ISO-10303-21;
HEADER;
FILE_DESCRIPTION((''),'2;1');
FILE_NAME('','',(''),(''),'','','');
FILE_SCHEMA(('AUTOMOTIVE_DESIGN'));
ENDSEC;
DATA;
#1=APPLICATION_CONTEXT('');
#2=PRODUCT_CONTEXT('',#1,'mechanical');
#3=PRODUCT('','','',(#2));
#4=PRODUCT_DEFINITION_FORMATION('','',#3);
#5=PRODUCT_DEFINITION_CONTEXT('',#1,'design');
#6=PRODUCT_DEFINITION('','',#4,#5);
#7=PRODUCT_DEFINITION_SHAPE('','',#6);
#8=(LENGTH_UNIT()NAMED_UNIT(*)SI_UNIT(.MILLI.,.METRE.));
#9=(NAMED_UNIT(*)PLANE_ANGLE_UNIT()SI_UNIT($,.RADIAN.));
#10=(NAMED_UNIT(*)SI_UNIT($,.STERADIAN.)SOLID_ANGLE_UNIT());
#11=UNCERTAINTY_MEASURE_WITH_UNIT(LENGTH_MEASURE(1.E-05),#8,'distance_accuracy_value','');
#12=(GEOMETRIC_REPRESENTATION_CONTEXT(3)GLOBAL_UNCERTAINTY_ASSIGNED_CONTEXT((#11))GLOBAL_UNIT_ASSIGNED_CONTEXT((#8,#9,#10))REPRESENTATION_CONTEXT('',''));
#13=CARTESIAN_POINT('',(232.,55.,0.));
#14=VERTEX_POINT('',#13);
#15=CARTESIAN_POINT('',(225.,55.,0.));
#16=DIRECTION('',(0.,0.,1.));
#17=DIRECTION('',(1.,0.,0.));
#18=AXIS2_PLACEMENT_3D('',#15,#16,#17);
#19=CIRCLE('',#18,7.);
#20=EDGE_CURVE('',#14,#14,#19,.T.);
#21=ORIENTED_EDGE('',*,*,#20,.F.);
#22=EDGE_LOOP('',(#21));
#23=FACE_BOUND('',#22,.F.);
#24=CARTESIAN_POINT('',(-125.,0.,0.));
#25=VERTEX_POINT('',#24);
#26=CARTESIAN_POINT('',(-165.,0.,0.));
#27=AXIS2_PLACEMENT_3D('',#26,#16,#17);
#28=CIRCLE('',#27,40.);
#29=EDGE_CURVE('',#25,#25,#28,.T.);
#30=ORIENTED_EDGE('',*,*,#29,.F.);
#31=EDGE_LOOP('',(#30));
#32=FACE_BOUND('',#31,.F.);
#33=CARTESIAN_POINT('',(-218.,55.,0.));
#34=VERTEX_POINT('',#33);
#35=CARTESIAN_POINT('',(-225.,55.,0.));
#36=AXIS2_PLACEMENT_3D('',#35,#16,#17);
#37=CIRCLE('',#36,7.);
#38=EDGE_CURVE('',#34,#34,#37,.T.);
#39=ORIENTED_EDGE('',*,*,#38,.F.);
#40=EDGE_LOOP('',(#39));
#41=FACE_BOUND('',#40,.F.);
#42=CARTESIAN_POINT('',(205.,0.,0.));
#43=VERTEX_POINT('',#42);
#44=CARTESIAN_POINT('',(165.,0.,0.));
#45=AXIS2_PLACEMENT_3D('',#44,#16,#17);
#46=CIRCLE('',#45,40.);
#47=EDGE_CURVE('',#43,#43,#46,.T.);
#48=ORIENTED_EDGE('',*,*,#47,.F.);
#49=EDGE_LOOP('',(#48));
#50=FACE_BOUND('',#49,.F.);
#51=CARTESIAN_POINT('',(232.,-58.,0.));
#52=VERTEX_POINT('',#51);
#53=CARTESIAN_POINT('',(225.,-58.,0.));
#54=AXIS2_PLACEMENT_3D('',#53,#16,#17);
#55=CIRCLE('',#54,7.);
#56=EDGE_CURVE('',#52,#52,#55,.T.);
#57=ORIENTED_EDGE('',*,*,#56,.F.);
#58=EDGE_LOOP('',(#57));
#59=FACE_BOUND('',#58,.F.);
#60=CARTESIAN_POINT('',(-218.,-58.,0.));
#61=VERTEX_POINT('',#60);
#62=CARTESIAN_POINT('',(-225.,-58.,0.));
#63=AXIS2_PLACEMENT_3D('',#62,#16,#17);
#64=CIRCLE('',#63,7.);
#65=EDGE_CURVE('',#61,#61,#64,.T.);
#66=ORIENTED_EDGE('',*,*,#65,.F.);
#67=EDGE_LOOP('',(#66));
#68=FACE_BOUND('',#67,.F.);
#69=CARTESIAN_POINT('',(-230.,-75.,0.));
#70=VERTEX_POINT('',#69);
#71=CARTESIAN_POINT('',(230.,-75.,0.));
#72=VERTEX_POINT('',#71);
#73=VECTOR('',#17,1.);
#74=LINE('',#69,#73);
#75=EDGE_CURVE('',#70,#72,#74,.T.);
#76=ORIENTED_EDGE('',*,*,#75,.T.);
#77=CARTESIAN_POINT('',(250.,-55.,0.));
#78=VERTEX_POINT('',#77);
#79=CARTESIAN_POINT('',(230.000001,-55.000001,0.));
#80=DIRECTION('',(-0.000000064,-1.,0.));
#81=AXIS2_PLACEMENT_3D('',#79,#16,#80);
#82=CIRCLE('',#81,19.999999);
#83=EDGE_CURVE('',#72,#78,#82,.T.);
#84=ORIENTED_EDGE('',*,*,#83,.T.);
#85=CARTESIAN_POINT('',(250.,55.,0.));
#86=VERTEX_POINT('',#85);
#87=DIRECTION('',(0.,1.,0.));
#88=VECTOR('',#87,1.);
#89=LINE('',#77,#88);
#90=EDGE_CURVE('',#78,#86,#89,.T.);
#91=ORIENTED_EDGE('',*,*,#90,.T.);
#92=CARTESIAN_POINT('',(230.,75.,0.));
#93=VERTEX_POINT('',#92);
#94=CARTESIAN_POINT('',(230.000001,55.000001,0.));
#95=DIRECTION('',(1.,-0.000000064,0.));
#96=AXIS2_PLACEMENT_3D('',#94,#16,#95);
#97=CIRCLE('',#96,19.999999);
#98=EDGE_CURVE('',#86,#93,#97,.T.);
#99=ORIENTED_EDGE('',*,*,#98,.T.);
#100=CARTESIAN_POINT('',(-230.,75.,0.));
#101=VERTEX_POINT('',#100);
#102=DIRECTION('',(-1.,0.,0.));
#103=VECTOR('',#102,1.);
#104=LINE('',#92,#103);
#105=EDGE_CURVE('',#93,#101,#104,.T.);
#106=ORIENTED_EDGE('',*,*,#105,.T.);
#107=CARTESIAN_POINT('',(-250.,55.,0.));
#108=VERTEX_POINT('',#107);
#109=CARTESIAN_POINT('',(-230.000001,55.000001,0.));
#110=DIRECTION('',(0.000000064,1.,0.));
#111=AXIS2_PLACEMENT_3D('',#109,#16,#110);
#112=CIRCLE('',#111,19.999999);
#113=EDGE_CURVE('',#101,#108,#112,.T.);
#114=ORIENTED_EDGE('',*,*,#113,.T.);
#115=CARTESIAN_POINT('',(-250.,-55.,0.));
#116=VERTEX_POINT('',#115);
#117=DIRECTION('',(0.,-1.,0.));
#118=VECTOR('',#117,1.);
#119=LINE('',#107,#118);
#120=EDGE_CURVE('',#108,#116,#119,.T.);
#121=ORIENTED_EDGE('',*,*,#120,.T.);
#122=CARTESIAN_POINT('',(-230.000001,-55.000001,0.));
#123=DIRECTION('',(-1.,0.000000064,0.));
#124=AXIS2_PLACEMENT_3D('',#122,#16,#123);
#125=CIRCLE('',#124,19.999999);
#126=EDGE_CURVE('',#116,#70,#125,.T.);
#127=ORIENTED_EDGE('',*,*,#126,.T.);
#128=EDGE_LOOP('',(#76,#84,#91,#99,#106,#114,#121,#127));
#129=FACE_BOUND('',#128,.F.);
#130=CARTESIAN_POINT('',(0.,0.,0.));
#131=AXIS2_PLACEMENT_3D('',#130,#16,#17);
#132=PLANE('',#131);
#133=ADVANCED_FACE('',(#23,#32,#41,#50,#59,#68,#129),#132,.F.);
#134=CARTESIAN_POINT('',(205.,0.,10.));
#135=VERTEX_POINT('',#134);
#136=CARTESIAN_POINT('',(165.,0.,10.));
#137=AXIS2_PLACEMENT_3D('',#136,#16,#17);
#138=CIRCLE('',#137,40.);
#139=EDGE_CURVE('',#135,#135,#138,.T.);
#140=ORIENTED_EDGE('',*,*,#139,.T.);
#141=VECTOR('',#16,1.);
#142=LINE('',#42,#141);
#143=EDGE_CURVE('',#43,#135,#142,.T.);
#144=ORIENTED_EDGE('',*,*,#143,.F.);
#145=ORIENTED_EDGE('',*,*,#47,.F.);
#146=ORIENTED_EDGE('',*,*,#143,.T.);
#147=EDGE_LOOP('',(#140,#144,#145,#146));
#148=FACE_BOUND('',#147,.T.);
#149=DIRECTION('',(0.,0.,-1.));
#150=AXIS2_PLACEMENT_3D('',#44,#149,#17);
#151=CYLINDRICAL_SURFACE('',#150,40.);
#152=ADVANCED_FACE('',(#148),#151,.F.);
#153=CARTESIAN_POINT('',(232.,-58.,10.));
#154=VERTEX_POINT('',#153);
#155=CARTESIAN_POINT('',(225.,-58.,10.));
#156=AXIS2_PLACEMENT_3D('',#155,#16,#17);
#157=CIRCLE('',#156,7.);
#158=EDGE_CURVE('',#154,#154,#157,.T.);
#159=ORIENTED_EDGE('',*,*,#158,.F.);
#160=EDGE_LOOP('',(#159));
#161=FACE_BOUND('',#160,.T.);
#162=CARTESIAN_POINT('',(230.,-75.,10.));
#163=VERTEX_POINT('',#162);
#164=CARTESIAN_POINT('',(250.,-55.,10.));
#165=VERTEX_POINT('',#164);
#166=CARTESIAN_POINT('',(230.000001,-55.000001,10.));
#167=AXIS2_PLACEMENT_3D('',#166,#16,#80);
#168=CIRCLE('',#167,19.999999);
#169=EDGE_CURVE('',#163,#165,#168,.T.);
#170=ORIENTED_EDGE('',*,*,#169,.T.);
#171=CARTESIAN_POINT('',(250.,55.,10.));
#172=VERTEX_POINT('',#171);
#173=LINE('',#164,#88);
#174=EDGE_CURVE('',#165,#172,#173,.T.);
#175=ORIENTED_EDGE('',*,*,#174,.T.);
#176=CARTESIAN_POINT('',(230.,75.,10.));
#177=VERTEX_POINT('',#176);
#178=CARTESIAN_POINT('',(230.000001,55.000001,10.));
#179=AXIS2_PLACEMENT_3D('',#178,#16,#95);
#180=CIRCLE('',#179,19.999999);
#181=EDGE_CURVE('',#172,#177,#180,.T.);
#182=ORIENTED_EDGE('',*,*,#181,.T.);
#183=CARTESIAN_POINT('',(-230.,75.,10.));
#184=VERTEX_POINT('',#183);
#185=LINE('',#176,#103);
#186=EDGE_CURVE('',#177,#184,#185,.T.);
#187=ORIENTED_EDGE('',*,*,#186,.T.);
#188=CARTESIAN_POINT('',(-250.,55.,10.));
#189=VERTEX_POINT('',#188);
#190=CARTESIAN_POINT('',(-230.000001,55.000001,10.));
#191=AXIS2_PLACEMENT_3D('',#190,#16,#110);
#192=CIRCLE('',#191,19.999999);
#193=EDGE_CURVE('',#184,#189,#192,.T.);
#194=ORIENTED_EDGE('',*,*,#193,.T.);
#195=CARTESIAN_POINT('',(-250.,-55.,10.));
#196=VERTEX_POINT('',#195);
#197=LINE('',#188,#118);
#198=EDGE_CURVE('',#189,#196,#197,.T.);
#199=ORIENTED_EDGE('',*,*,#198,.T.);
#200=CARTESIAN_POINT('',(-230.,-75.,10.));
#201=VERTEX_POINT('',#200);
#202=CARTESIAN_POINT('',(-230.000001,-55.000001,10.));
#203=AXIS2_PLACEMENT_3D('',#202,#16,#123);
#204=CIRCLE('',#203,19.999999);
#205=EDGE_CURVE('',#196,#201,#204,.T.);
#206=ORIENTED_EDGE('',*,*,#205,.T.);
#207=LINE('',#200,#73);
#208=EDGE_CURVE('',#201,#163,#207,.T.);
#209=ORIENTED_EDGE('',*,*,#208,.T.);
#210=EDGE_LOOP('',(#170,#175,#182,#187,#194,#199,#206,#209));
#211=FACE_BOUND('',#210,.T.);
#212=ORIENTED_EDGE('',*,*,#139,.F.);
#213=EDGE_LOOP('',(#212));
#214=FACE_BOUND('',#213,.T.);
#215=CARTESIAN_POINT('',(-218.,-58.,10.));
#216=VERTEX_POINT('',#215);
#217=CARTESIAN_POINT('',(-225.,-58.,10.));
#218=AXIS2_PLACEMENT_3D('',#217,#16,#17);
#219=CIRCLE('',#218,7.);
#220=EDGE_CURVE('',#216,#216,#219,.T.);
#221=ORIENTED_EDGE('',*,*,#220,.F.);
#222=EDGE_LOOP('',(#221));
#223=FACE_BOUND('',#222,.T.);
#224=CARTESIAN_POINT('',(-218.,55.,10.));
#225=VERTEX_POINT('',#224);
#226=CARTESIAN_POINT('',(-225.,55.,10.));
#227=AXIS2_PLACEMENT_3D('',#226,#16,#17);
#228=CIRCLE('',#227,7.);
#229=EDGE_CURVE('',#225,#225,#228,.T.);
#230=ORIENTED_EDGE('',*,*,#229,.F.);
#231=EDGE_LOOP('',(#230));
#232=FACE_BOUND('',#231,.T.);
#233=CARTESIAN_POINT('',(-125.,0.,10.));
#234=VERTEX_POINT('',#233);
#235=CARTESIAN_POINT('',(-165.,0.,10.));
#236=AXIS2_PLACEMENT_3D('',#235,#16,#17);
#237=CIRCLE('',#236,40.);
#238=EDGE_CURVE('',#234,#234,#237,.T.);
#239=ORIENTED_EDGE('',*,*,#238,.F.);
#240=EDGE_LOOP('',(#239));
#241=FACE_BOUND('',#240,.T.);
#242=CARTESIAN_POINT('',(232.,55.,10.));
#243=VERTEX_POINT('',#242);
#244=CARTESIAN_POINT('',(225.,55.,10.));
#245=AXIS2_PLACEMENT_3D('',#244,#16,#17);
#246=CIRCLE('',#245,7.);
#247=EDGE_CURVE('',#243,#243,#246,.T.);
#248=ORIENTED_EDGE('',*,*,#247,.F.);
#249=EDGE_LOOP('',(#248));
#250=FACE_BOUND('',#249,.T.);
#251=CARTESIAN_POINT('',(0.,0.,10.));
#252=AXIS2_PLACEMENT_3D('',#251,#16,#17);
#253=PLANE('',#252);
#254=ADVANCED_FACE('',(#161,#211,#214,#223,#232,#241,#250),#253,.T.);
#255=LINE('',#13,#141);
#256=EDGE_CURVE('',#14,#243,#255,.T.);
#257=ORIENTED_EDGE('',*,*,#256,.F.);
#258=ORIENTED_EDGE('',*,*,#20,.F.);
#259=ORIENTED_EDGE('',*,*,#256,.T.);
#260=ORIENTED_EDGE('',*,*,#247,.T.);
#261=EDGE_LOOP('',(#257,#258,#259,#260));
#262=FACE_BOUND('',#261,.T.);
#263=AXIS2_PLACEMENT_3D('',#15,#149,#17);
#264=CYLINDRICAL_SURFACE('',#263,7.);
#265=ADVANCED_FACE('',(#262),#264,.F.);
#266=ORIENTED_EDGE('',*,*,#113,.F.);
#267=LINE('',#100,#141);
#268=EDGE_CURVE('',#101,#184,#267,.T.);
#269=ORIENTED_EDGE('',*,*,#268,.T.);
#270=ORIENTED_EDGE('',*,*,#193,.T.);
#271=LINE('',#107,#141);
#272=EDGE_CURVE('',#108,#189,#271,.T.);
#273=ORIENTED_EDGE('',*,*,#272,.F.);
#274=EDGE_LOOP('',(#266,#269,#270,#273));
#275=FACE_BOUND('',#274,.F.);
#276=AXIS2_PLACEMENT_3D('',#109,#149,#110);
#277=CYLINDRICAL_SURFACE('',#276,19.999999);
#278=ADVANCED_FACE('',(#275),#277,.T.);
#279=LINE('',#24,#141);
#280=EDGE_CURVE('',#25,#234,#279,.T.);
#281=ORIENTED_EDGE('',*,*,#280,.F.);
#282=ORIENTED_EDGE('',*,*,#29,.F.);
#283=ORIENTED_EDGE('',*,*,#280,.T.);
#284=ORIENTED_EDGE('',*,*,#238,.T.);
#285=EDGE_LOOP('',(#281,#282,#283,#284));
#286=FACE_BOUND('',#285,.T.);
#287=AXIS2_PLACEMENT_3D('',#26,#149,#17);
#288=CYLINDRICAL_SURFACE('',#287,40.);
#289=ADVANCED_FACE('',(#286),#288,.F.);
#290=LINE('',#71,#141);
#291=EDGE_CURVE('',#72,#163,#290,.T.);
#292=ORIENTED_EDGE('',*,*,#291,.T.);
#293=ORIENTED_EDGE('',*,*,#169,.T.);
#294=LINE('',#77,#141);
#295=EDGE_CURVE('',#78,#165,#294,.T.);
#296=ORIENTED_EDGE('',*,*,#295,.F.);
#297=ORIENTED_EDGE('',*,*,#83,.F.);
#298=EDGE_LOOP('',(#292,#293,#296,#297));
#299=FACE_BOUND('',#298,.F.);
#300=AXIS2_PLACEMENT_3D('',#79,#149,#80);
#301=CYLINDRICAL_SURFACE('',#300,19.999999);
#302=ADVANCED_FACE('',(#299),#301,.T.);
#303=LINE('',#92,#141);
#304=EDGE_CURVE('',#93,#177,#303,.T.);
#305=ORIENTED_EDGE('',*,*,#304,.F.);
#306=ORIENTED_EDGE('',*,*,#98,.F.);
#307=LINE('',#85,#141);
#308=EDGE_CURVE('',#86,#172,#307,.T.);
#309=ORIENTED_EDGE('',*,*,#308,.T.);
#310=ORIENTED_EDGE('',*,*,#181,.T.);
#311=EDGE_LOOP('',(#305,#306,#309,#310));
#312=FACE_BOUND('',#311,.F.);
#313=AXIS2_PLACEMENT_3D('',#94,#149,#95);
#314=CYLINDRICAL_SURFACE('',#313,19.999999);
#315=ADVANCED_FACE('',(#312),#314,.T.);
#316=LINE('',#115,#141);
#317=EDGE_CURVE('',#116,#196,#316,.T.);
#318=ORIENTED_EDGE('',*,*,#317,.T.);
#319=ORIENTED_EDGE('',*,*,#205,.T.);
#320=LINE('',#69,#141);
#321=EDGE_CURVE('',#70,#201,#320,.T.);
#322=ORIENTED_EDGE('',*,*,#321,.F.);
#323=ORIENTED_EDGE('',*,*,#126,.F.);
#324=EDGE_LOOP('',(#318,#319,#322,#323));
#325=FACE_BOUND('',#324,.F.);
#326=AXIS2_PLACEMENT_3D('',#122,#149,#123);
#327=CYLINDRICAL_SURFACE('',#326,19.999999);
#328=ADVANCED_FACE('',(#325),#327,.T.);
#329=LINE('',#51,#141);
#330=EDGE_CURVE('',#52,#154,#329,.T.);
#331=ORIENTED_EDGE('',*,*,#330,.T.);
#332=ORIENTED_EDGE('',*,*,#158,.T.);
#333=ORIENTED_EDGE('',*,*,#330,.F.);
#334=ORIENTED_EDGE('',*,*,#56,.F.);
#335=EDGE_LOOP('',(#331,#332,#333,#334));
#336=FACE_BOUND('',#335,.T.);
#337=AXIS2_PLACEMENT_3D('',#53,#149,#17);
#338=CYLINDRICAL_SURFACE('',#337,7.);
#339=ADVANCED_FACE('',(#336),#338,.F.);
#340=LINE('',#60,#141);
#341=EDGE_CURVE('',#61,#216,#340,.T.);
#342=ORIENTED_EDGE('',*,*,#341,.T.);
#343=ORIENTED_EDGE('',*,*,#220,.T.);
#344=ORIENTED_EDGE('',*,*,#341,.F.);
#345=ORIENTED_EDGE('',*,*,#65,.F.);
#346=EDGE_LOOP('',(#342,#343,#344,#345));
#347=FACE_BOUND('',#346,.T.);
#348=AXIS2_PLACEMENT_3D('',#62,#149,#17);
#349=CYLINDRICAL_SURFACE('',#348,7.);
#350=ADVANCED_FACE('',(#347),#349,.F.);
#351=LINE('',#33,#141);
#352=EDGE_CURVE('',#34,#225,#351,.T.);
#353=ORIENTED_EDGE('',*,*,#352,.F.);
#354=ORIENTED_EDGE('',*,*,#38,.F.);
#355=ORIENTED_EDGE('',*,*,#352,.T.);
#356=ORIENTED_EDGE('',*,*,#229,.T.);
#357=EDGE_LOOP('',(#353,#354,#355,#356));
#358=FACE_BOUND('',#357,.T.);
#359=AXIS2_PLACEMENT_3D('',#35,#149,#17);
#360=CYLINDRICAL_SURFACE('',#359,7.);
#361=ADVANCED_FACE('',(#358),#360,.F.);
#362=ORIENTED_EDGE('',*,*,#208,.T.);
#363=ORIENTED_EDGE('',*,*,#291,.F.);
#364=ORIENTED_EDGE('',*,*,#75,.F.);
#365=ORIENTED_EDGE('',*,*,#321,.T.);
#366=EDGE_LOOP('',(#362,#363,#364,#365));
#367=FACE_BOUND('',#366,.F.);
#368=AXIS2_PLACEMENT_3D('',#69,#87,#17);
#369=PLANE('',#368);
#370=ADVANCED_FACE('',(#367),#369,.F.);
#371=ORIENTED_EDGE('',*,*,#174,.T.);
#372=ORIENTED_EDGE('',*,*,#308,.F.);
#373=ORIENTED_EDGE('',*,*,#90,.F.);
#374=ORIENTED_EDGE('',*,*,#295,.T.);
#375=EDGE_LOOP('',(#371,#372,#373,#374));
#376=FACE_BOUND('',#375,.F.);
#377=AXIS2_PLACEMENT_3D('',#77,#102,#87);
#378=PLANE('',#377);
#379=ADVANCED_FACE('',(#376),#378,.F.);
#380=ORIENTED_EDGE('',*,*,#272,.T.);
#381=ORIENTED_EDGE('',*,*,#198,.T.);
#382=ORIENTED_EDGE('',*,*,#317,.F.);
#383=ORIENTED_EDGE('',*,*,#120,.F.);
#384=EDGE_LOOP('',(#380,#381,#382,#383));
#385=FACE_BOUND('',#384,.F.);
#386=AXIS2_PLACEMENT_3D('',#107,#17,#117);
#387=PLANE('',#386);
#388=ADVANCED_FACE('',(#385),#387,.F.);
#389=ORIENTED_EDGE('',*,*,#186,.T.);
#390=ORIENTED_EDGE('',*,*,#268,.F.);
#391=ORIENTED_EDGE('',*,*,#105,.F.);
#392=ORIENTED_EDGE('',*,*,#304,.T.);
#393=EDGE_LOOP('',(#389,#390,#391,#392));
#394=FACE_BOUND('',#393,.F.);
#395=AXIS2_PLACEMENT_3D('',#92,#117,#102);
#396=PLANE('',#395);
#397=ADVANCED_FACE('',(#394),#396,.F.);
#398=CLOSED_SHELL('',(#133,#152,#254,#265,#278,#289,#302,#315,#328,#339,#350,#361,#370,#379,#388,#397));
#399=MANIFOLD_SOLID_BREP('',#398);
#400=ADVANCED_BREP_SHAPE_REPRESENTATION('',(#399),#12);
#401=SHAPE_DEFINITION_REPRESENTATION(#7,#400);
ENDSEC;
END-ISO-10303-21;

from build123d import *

# Parameters (mm, degrees)
F0_R     = 7
F0_R_2   = 40
F1_DEPTH = 10


with BuildPart() as f1:
    # F0 (on Top) → F1 (new body)
    with BuildSketch(Plane.XY):
        with BuildLine():
            Line((230, 75), (-230, 75))
            ThreePointArc((-230, 75), (-244.142136, 69.142136), (-250, 55))
            Line((-250, 55), (-250, -55))
            ThreePointArc((-250, -55), (-244.142136, -69.142136), (-230, -75))
            Line((-230, -75), (230, -75))
            ThreePointArc((230, -75), (244.142136, -69.142136), (250, -55))
            Line((250, -55), (250, 55))
            ThreePointArc((250, 55), (244.142136, 69.142136), (230, 75))
        make_face()
        with Locations((-225, -58)):
            Circle(F0_R, mode=Mode.SUBTRACT)
        with Locations((225, -58)):
            Circle(F0_R, mode=Mode.SUBTRACT)
        with Locations((-165, 0)):
            Circle(F0_R_2, mode=Mode.SUBTRACT)
        with Locations((-225, 55)):
            Circle(F0_R, mode=Mode.SUBTRACT)
        with Locations((165, 0)):
            Circle(F0_R_2, mode=Mode.SUBTRACT)
        with Locations((225, 55)):
            Circle(F0_R, mode=Mode.SUBTRACT)
    extrude(amount=F1_DEPTH)


solid = f1.part
